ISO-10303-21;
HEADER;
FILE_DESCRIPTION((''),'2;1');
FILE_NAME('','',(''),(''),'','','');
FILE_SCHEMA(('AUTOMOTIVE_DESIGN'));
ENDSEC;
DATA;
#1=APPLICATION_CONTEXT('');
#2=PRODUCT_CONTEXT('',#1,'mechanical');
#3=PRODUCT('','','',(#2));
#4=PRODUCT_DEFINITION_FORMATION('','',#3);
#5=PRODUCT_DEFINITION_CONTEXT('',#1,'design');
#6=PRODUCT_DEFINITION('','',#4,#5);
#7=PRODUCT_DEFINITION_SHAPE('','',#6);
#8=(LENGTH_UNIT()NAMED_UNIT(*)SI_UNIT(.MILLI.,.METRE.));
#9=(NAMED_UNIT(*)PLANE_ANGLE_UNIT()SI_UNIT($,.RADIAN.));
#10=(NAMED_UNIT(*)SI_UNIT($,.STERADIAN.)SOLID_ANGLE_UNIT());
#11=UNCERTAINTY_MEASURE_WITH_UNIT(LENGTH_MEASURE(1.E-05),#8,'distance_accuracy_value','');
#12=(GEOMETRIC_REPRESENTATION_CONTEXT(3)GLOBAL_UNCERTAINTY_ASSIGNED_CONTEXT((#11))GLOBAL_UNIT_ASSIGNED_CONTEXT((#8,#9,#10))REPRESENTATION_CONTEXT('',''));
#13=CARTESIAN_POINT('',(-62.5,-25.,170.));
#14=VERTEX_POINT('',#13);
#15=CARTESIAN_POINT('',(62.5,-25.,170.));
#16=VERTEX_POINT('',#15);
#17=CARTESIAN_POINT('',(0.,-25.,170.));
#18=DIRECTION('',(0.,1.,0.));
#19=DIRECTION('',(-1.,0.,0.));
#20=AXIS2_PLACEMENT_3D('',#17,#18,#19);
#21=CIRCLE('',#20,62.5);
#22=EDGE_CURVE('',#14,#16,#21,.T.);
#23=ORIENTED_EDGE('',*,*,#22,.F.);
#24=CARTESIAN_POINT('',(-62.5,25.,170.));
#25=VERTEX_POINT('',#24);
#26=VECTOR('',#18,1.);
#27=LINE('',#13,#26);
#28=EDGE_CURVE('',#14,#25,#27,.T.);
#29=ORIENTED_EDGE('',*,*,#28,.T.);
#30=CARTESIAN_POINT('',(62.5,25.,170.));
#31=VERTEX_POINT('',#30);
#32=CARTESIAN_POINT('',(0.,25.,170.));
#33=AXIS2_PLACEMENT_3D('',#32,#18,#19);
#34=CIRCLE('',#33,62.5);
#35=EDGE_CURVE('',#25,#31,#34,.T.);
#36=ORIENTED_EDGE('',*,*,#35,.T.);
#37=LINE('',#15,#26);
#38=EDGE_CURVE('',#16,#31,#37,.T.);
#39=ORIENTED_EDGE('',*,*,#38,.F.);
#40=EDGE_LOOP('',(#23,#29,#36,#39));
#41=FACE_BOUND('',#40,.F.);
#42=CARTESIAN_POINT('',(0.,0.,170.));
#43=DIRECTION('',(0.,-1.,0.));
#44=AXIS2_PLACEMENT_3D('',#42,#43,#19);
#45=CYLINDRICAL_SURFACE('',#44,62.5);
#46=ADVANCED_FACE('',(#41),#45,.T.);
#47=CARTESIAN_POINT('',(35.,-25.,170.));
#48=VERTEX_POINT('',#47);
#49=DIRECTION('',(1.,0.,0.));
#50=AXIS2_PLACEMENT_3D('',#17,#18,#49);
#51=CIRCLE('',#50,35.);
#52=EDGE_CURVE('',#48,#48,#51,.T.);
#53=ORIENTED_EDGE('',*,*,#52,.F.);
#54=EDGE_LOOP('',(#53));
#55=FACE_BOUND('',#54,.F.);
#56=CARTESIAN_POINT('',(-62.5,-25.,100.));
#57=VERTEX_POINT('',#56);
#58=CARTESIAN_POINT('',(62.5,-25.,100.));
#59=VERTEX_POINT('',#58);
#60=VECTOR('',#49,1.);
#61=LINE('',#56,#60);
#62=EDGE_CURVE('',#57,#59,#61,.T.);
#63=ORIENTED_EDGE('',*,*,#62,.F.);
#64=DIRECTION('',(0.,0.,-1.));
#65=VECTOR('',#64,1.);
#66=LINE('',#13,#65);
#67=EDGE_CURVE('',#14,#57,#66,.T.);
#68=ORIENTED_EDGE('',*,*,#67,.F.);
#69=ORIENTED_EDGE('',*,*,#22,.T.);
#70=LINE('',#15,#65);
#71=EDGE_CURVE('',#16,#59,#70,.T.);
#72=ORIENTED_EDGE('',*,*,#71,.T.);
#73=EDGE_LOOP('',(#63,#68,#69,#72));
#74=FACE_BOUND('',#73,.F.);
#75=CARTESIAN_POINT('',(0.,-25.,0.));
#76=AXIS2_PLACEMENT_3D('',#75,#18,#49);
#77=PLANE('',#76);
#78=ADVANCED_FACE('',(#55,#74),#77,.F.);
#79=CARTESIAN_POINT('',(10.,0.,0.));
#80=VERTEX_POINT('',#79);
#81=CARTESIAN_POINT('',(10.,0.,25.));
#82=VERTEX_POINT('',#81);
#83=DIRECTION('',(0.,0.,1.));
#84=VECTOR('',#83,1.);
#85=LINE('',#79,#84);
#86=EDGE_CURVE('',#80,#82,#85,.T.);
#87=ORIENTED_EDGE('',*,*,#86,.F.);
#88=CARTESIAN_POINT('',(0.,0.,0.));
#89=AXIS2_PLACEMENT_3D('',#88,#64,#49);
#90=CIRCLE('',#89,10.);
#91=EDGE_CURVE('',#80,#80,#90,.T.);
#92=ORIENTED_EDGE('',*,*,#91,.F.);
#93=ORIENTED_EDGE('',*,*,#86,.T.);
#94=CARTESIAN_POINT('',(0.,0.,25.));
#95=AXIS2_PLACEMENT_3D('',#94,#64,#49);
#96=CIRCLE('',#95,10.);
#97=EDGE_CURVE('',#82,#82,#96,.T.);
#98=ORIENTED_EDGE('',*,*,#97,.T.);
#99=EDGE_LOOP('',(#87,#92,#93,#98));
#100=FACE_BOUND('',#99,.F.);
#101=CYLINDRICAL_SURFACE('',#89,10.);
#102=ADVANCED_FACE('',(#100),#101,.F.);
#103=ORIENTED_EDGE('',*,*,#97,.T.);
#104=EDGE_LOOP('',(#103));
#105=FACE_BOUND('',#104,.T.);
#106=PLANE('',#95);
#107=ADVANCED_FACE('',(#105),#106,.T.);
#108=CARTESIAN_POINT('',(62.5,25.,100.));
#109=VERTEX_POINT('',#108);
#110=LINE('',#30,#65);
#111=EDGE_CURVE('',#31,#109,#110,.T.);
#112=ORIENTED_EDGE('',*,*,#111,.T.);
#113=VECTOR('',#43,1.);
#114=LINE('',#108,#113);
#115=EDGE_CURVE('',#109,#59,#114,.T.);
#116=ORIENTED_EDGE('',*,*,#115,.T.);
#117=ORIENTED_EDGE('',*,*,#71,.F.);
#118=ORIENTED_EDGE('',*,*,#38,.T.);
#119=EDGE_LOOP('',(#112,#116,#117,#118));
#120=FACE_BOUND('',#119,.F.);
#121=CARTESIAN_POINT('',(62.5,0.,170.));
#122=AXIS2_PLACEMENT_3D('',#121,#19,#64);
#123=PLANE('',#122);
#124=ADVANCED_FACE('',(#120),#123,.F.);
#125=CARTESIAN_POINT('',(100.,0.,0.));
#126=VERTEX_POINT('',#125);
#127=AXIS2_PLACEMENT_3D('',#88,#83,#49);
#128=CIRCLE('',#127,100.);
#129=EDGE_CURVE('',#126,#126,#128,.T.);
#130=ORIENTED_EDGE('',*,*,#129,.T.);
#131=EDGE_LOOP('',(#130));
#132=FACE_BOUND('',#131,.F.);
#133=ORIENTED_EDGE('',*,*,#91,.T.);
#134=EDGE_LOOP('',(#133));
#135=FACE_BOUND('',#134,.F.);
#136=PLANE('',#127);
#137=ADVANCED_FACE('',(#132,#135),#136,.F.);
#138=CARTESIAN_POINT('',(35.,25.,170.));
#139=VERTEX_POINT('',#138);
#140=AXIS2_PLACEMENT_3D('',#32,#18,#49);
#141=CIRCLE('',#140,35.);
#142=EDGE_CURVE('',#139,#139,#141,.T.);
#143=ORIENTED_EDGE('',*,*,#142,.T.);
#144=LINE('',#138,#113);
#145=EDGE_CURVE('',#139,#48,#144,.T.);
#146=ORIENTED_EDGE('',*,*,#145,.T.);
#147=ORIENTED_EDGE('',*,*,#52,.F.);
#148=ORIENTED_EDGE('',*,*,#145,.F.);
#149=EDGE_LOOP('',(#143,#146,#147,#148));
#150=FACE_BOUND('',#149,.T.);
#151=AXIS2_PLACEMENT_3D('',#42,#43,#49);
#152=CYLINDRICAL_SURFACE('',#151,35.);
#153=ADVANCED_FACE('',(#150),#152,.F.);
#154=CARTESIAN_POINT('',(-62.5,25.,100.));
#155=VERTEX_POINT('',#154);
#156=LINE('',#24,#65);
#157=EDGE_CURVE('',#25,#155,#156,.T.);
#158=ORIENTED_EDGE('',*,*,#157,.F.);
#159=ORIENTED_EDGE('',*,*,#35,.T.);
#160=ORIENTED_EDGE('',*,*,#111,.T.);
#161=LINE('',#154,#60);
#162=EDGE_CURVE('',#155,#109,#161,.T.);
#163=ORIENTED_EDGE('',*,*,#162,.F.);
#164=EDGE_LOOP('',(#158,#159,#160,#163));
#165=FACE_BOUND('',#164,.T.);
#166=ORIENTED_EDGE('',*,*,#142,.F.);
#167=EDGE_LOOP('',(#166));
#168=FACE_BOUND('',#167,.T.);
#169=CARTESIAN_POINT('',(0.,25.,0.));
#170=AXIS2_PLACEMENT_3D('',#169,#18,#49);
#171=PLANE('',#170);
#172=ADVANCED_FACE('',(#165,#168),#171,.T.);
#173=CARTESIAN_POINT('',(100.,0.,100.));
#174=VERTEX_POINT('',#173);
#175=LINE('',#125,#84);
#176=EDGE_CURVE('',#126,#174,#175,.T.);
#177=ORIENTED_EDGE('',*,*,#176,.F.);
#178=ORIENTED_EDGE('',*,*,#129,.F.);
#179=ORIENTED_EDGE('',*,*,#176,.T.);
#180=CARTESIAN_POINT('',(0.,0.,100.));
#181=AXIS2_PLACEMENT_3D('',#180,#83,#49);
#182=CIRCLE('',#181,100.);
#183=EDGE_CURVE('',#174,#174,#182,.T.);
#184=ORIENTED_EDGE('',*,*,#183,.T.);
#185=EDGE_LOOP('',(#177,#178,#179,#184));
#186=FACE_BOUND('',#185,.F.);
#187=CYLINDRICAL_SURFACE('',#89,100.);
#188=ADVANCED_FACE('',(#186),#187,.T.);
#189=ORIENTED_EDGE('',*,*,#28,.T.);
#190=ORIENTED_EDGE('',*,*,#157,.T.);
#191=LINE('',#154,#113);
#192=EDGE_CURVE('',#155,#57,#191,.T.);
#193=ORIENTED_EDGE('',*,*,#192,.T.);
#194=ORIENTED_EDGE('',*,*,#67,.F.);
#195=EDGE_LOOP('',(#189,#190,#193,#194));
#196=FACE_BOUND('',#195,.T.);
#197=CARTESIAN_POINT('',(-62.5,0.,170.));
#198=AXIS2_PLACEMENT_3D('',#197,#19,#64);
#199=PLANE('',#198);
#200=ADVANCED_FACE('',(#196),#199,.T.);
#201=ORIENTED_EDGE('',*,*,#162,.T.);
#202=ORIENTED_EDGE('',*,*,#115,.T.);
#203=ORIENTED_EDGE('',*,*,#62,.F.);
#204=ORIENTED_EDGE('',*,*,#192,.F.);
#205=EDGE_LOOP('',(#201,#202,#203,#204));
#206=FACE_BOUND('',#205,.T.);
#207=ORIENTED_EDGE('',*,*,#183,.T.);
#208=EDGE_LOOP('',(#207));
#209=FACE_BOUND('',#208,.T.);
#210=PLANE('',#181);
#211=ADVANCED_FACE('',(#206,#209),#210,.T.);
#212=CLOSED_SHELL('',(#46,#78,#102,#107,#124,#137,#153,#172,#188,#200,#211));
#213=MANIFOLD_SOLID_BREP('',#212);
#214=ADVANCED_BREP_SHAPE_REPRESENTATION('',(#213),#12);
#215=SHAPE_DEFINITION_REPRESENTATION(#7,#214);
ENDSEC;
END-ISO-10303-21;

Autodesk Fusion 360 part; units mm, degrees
sketch "Sketch1" plane through (0, 0, 0) normal (0, 0, 1) x (1, 0, 0)
  circle A0 centre (0, 0) radius 100
  dimension "d1" = 200
extrude "Extrude1" add sketch "Sketch1" along normal blind 100
sketch "Sketch2" plane through (0, 0, 0) normal (0, 0, -1) x (1, 0, 0)
  circle A0 centre (0, 0) radius 100
  circle A1 centre (0, 0) radius 10
  dimension "d4" = 20
extrude "Extrude2" cut sketch "Sketch2" against normal blind 25 contours A1
sketch "Sketch3" plane through (0, 0, 0) normal (0, 1, 0) x (1, 0, 0)
  circle A0 centre (0, -170) radius 35
  line L0 (-62.5, -170) -> (-62.5, -100)
  line L1 (-62.5, -100) -> (62.5, -100)
  line L2 (62.5, -170) -> (62.5, -100)
  arc A1 (-62.5, -170) -> (62.5, -170) centre (0, -170) ccw
  dimension "d7" = 70
  dimension "d8" = 125
  dimension "d9" = 125
extrude "Extrude3" add sketch "Sketch3" along normal mid plane 50
